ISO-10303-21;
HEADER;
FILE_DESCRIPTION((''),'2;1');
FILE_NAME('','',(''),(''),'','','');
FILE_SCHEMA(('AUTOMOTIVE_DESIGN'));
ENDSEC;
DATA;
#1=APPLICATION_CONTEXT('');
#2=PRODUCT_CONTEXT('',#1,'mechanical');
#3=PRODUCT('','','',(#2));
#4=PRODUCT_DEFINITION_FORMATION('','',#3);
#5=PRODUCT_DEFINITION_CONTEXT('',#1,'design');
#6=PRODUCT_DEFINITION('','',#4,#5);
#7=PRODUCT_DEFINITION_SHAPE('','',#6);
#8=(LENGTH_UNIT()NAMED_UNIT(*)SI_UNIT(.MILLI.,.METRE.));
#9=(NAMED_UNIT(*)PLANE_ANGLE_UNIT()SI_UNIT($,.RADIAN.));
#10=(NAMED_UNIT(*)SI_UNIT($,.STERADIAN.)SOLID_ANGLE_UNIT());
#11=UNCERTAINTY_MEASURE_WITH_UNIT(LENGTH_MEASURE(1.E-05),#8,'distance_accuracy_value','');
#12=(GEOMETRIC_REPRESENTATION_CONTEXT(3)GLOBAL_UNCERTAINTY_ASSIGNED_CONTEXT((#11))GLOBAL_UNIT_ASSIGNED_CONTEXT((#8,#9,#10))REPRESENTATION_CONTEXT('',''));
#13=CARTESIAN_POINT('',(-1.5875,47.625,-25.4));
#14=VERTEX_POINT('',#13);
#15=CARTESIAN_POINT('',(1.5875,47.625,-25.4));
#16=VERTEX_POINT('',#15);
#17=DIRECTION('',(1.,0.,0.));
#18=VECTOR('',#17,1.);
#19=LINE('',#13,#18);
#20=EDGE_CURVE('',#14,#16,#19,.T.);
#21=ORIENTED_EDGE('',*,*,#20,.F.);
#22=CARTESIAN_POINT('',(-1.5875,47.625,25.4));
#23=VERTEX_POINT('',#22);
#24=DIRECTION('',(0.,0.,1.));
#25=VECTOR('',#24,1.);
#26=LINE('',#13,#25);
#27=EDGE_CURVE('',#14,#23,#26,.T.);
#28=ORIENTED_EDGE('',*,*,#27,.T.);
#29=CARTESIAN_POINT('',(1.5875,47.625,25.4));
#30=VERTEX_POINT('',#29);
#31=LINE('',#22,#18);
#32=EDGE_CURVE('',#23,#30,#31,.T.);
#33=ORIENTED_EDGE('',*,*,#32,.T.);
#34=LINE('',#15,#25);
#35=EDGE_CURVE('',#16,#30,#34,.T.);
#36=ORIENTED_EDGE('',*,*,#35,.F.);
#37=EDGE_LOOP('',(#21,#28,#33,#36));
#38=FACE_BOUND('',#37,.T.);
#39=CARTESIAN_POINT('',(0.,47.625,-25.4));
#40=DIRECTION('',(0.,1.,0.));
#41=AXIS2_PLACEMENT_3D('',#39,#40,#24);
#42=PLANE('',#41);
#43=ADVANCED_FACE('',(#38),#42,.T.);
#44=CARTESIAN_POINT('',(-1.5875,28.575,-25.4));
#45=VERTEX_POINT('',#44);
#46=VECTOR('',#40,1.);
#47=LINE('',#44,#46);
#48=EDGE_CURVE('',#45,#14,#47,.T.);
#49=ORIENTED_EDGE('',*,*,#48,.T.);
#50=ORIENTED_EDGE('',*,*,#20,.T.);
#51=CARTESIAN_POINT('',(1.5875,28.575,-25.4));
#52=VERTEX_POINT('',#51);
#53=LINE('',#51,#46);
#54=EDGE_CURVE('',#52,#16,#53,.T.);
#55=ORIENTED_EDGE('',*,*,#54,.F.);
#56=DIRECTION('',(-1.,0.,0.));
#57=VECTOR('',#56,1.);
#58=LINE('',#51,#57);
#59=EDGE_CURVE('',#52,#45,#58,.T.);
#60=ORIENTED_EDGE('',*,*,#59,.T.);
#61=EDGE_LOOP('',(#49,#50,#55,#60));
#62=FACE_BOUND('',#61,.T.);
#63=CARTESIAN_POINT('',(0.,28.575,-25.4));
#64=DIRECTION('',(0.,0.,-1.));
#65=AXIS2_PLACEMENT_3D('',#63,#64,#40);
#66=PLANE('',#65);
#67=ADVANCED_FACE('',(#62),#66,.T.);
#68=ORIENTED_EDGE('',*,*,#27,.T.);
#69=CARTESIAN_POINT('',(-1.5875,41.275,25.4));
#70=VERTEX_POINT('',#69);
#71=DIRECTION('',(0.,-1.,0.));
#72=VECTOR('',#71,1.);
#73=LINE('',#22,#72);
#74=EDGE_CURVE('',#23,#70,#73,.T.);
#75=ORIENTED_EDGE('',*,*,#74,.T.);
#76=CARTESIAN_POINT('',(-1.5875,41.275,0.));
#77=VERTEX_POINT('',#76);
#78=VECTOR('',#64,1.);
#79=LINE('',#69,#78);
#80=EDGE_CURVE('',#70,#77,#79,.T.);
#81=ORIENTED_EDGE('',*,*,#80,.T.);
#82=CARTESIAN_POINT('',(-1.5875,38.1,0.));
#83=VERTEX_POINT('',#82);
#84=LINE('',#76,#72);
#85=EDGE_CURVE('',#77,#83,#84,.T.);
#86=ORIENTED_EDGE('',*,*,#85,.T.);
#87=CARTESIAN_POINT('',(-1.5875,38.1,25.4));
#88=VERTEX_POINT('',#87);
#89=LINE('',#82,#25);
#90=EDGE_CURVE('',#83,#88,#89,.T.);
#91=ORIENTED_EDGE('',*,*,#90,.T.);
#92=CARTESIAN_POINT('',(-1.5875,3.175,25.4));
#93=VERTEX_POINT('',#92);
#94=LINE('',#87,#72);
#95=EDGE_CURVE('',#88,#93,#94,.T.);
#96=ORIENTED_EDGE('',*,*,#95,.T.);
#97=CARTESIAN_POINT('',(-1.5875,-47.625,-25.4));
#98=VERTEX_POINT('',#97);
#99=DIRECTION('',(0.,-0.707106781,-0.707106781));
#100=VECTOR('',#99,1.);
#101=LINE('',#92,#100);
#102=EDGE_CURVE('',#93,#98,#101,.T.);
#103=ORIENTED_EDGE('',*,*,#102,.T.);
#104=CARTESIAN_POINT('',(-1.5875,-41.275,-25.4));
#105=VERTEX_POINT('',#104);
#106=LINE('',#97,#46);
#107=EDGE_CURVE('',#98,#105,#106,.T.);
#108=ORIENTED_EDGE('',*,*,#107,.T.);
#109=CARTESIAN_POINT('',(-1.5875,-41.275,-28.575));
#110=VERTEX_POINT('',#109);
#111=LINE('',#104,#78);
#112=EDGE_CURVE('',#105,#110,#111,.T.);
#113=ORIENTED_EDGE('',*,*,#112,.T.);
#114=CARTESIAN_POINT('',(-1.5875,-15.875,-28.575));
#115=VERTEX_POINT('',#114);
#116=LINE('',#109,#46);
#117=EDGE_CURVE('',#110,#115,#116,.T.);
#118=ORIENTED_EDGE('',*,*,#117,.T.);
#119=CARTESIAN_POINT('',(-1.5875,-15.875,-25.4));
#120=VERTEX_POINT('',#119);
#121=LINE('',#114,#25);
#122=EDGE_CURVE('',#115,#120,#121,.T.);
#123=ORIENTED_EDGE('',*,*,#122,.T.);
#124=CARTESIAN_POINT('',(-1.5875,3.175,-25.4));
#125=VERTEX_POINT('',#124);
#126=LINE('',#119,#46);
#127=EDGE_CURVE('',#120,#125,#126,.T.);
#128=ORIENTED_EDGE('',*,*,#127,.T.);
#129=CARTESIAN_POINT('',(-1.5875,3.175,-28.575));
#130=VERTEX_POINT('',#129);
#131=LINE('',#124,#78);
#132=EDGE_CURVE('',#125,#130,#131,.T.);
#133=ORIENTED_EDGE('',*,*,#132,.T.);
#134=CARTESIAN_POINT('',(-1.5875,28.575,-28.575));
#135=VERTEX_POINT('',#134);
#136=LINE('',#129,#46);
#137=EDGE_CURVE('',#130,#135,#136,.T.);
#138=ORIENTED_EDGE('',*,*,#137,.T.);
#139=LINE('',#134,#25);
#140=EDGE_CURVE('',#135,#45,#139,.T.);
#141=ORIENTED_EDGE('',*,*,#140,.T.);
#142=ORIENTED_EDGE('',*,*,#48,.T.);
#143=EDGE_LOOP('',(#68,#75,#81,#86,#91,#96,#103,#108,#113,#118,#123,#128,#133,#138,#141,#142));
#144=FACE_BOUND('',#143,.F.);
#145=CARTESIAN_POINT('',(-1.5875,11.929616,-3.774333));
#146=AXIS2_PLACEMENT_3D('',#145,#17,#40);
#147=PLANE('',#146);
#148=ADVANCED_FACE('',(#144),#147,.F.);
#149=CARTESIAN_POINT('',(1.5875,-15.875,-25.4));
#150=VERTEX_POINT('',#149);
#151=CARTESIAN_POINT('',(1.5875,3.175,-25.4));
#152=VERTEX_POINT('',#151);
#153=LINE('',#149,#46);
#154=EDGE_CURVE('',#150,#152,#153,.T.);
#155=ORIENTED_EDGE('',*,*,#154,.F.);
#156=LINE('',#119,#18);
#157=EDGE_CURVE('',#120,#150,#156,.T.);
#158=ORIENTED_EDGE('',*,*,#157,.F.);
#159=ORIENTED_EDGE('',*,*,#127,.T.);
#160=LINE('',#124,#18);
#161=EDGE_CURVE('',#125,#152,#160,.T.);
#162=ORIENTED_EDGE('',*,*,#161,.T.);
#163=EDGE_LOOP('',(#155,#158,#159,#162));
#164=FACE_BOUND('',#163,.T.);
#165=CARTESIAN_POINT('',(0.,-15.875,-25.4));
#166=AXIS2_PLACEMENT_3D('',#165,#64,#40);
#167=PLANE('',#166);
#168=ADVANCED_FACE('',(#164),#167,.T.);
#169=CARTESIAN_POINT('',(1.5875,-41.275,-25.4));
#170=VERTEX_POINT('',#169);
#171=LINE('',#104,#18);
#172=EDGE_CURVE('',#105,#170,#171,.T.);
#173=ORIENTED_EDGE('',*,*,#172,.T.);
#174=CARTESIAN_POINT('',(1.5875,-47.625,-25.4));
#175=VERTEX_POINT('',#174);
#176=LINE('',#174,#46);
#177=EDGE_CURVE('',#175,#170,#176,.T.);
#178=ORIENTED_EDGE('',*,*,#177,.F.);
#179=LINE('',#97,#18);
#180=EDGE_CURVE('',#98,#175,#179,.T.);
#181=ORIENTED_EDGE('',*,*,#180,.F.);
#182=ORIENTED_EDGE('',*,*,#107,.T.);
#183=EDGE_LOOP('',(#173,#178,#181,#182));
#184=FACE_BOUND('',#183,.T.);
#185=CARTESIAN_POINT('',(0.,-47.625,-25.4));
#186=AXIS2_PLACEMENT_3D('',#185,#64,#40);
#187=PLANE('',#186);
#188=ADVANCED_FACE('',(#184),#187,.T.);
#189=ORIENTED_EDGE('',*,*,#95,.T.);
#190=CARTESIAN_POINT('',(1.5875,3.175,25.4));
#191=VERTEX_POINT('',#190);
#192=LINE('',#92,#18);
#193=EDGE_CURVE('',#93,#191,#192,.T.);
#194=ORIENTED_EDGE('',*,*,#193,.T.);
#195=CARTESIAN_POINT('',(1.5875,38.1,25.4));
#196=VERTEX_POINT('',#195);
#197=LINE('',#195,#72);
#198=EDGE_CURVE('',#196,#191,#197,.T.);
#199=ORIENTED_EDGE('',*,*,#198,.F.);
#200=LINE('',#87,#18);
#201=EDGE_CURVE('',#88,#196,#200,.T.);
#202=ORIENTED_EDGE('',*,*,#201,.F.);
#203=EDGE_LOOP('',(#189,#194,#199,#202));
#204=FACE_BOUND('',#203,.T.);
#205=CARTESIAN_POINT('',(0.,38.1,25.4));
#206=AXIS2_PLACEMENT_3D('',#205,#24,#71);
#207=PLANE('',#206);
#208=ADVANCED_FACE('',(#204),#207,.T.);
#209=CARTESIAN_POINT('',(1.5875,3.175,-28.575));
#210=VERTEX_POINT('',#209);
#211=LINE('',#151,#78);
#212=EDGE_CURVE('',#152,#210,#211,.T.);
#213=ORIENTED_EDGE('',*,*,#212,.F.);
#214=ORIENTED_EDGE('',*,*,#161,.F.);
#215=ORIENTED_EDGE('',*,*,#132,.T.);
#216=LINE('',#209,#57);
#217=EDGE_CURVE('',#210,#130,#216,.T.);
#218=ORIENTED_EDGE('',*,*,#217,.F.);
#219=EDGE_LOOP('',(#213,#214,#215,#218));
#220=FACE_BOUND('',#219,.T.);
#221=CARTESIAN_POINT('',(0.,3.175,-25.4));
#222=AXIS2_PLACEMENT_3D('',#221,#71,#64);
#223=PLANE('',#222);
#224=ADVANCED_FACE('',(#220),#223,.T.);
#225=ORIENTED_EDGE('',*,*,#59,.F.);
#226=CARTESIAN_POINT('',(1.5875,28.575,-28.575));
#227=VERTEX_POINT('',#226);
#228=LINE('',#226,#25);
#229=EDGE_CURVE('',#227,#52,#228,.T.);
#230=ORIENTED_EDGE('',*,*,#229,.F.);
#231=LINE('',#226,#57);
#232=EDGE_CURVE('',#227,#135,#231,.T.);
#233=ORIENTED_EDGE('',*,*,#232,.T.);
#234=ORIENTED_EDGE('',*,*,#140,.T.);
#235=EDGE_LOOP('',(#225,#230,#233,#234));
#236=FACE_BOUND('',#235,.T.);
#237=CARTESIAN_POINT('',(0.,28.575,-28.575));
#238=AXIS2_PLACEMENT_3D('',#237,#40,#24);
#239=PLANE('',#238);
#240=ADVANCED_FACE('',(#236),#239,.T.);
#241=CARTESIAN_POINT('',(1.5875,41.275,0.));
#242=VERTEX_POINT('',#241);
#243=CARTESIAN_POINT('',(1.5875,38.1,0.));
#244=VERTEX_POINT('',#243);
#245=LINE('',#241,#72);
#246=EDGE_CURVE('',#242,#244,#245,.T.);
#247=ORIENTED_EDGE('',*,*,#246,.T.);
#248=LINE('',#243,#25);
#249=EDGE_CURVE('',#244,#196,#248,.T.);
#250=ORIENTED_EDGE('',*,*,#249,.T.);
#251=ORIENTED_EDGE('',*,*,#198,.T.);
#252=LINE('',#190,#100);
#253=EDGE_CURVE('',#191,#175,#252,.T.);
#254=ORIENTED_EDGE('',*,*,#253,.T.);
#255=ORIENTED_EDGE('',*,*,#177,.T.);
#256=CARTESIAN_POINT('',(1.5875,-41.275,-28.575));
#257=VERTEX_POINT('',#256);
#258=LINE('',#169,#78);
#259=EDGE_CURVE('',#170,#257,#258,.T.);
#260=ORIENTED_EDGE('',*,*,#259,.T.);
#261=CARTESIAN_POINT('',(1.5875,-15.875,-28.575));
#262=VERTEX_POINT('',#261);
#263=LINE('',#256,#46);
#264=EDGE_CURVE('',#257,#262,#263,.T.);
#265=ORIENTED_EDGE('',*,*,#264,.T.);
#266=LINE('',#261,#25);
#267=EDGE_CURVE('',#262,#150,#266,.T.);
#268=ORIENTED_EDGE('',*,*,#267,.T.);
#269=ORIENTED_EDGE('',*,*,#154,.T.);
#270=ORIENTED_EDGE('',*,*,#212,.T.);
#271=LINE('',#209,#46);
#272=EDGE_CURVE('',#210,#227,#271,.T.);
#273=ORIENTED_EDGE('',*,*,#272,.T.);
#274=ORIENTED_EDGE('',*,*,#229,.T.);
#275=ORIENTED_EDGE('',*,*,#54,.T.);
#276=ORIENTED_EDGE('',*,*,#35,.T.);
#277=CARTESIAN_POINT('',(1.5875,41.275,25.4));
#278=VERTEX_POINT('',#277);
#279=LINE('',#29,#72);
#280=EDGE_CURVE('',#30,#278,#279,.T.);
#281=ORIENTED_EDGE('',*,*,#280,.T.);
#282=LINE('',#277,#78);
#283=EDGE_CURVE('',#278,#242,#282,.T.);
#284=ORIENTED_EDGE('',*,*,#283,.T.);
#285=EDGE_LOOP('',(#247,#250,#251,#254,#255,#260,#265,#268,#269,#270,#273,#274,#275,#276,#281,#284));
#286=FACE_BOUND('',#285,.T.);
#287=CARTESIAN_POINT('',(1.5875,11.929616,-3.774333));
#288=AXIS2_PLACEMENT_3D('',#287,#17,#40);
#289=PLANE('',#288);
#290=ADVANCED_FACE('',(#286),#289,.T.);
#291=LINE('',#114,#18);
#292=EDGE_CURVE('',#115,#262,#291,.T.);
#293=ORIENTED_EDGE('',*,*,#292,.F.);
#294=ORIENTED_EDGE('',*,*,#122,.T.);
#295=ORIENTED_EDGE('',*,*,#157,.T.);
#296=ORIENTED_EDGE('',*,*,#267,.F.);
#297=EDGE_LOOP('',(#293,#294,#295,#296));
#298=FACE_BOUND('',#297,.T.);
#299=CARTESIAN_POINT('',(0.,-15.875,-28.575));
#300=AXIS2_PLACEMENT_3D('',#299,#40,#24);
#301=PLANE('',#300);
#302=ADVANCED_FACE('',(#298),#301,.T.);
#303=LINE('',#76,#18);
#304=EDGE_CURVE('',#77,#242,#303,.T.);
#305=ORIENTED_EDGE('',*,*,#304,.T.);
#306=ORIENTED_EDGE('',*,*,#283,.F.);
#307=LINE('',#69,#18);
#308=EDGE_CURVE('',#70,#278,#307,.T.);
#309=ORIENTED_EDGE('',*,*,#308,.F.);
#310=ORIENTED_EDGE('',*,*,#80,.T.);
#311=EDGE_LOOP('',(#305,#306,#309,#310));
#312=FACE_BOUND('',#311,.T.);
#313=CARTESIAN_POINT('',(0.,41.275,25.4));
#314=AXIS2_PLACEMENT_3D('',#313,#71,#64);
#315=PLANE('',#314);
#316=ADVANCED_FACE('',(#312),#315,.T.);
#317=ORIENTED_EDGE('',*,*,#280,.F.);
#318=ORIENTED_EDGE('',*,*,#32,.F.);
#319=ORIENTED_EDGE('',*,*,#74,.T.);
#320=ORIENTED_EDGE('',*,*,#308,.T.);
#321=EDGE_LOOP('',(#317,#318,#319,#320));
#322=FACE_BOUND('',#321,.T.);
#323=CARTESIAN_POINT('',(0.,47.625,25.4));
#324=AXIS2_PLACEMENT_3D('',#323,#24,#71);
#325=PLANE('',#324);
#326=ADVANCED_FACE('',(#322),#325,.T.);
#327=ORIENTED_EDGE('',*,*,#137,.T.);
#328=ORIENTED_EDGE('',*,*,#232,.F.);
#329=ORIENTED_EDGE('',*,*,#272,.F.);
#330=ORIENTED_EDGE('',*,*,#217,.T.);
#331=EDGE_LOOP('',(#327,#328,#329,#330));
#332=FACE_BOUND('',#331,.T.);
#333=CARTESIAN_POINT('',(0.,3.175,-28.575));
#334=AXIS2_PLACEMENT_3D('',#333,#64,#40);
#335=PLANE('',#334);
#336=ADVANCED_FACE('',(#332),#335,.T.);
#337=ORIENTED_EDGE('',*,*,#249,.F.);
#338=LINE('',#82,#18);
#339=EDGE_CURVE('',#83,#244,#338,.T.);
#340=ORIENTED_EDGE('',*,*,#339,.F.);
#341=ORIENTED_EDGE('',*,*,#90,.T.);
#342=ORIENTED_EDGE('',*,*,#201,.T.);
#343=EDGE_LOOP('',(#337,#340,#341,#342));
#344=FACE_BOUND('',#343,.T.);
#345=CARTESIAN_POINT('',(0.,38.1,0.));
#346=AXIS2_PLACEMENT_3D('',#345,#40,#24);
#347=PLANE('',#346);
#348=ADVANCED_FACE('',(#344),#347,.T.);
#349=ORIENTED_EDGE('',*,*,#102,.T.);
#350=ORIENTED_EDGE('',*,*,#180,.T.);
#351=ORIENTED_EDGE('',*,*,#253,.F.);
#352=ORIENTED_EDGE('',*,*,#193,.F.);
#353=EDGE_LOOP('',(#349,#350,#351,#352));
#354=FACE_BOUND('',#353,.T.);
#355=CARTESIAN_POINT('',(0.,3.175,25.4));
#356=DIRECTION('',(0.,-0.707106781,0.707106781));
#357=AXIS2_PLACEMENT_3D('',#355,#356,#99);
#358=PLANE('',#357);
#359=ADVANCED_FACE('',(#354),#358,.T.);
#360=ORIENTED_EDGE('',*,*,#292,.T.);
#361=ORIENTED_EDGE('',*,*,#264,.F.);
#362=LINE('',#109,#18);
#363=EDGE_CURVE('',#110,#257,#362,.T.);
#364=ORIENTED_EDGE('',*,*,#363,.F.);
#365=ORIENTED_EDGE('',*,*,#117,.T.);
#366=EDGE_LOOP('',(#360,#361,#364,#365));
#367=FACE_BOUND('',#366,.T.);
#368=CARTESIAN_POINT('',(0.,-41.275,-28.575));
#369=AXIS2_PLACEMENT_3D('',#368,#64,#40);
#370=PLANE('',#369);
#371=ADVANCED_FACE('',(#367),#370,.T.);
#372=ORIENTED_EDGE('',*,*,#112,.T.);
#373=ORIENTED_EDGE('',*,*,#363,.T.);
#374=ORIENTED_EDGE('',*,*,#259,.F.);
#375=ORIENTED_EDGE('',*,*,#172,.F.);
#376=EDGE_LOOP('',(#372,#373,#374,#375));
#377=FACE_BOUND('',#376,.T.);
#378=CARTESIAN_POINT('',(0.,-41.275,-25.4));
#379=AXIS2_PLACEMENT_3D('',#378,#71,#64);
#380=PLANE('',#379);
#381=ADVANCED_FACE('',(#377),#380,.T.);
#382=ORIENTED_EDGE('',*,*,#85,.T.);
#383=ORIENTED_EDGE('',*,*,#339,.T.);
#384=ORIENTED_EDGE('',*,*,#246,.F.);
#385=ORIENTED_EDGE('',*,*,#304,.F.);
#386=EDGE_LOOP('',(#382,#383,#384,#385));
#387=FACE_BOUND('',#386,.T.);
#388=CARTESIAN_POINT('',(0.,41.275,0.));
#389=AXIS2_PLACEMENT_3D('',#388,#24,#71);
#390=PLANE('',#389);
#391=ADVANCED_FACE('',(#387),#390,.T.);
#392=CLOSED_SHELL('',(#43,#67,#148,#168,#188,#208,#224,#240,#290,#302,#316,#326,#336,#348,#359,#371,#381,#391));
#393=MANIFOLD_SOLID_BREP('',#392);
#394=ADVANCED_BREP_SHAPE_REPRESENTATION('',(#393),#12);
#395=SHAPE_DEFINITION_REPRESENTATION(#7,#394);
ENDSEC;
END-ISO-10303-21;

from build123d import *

# Parameters (mm, degrees)
F1_DEPTH = 1.5875


with BuildPart() as f1:
    # F0 (on Right) → F1 (new body, symmetric)
    with BuildSketch(Plane.YZ):
        Polygon((28.575, -25.4), (47.625, -25.4), (47.625, 25.4), (41.275, 25.4), (41.275, 0), (38.1, 0), (38.1, 25.4), (3.175, 25.4), (-47.625, -25.4), (-41.275, -25.4), (-41.275, -28.575), (-15.875, -28.575), (-15.875, -25.4), (3.175, -25.4), (3.175, -28.575), (28.575, -28.575), align=None)
    extrude(amount=F1_DEPTH, both=True)


solid = f1.part
